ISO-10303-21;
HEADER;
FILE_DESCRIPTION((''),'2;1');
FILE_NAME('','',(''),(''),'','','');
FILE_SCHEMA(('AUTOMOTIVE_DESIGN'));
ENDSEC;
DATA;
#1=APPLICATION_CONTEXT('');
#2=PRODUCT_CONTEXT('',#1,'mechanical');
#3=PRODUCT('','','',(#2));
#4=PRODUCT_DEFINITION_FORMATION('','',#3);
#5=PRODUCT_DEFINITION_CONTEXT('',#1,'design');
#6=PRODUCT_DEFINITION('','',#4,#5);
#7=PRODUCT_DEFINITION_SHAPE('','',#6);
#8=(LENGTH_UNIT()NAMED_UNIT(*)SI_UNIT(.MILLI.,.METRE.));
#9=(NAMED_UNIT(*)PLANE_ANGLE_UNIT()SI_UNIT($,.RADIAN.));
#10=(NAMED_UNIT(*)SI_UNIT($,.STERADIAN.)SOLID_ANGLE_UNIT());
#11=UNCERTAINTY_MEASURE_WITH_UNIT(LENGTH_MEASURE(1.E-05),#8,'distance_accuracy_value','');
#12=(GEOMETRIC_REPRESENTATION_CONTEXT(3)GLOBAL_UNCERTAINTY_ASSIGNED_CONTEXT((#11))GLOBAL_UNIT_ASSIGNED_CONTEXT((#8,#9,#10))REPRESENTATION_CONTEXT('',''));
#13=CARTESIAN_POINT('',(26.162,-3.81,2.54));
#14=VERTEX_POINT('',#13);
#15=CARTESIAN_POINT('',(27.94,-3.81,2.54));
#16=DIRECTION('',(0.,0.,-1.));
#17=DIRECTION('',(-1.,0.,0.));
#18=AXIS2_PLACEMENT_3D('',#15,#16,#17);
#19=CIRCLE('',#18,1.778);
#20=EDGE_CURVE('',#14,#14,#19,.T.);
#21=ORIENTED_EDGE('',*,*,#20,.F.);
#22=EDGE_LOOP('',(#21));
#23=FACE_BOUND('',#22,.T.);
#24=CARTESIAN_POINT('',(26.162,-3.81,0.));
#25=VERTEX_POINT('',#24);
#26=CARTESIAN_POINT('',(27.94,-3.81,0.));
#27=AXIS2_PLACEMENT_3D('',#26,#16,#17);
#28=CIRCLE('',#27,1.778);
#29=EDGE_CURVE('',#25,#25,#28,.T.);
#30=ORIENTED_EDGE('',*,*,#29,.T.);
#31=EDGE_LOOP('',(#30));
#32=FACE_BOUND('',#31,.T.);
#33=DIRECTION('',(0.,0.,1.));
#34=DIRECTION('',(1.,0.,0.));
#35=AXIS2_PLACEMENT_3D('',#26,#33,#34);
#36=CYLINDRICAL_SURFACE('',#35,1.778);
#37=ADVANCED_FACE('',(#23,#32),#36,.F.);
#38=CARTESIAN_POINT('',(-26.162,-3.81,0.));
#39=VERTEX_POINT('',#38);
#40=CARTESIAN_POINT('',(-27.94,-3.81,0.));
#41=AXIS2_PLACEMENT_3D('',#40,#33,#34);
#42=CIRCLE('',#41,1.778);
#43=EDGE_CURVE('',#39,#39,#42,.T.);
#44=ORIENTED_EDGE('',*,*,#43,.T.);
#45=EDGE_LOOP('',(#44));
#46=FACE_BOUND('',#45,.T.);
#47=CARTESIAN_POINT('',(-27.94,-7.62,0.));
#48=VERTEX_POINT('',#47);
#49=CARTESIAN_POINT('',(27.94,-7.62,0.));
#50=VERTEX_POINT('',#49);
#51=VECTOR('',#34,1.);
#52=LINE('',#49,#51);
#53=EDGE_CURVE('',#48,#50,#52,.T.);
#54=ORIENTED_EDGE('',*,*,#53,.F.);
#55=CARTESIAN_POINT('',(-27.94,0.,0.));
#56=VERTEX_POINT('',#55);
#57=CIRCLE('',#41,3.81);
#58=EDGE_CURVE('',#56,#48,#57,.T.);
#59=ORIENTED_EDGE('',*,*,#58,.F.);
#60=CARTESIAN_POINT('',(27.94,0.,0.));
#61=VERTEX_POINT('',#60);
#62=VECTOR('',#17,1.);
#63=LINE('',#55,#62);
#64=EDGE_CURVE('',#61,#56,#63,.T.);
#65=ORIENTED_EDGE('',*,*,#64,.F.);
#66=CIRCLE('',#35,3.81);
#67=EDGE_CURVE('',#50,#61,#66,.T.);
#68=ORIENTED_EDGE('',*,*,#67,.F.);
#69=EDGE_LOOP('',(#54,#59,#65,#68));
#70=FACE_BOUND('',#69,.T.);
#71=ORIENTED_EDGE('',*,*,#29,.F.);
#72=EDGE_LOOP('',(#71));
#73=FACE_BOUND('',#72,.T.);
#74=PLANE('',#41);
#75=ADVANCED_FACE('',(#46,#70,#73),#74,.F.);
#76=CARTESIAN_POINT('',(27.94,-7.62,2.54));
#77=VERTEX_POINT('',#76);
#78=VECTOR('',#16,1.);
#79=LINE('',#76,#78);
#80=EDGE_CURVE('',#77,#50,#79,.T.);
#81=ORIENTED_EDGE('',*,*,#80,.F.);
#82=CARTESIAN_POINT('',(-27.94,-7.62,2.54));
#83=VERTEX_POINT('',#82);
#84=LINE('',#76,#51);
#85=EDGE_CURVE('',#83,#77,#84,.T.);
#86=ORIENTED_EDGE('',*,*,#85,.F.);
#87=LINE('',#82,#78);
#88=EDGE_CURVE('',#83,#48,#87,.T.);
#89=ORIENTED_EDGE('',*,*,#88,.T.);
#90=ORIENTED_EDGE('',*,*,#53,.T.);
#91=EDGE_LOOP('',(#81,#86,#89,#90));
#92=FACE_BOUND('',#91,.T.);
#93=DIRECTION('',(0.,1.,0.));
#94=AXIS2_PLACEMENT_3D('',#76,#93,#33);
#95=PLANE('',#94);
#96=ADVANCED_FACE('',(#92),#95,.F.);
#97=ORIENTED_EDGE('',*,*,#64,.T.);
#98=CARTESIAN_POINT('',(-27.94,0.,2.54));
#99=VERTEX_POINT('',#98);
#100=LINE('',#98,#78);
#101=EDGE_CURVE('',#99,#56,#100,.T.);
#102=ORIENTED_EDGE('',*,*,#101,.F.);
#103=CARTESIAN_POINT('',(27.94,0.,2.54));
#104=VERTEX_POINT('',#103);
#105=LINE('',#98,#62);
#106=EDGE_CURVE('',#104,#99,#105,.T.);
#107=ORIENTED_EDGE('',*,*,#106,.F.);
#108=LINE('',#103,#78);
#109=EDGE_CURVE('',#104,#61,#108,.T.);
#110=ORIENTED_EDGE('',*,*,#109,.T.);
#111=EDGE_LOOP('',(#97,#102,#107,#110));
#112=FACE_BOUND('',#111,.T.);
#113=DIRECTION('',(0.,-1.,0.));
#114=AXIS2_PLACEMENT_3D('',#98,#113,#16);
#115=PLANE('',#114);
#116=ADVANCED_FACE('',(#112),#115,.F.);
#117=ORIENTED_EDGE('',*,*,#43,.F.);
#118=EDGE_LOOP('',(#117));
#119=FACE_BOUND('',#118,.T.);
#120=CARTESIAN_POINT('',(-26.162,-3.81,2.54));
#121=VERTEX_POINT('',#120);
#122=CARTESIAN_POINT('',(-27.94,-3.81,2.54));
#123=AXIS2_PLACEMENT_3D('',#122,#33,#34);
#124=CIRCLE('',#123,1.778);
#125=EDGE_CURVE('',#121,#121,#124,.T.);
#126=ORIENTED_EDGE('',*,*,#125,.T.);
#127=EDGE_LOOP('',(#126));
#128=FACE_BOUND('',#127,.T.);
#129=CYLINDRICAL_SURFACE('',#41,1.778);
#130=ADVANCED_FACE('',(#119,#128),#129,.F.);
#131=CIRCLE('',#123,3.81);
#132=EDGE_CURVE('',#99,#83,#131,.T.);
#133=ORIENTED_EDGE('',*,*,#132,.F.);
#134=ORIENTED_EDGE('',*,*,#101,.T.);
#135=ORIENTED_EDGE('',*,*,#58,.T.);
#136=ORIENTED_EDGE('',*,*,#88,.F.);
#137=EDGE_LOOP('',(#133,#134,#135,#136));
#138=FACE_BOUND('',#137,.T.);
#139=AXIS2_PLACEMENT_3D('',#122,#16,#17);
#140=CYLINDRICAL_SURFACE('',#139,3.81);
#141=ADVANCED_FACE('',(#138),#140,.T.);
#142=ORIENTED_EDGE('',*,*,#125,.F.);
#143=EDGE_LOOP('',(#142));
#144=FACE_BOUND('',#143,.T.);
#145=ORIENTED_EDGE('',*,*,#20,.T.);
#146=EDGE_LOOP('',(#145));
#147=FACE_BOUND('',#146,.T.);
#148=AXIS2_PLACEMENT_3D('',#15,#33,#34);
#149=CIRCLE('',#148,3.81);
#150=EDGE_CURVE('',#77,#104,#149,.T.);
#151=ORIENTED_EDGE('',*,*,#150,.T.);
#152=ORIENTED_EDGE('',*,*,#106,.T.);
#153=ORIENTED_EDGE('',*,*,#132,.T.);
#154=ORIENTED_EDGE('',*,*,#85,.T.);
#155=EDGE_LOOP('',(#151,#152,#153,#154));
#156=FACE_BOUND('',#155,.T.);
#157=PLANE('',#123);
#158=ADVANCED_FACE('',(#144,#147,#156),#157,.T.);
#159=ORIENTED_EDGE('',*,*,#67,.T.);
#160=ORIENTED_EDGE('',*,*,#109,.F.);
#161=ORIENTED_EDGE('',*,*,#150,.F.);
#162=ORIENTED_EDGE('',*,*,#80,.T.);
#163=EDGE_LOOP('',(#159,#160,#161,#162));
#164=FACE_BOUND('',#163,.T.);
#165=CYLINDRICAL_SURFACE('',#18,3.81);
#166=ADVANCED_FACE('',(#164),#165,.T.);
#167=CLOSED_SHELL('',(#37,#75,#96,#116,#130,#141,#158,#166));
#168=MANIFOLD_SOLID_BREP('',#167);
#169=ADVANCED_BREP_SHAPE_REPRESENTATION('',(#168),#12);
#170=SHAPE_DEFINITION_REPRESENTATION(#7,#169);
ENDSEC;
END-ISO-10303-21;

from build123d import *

# Parameters (mm, degrees)
BOSS_EXTRUDE1_DEPTH = 2.54
SKETCH2_R           = 1.778
CUT_EXTRUDE1_DEPTH  = 2.54


with BuildPart() as part:
    # Sketch1 → Boss-Extrude1 (new body)
    with BuildSketch(Plane.XY):
        with BuildLine():
            Line((-27.94, 0), (27.94, 0))
            ThreePointArc((27.94, 0), (31.75, -3.81), (27.94, -7.62))
            Line((27.94, -7.62), (-27.94, -7.62))
            ThreePointArc((-27.94, -7.62), (-31.75, -3.81), (-27.94, 0))
        make_face()
    extrude(amount=BOSS_EXTRUDE1_DEPTH)

    # Sketch2 → Cut-Extrude1 (cut)
    with BuildSketch(Plane.XY.offset(2.54)):
        with Locations((-27.94, -3.81)):
            Circle(SKETCH2_R)
    cut_extrude1 = extrude(amount=-CUT_EXTRUDE1_DEPTH, mode=Mode.SUBTRACT)

    # Mirror1: Cut-Extrude1 across plane
    add(cut_extrude1.mirror(Plane(origin=(0, 0, 0), x_dir=(0, 0, 1), z_dir=(1, 0, 0))), mode=Mode.SUBTRACT)


solid = part.part
